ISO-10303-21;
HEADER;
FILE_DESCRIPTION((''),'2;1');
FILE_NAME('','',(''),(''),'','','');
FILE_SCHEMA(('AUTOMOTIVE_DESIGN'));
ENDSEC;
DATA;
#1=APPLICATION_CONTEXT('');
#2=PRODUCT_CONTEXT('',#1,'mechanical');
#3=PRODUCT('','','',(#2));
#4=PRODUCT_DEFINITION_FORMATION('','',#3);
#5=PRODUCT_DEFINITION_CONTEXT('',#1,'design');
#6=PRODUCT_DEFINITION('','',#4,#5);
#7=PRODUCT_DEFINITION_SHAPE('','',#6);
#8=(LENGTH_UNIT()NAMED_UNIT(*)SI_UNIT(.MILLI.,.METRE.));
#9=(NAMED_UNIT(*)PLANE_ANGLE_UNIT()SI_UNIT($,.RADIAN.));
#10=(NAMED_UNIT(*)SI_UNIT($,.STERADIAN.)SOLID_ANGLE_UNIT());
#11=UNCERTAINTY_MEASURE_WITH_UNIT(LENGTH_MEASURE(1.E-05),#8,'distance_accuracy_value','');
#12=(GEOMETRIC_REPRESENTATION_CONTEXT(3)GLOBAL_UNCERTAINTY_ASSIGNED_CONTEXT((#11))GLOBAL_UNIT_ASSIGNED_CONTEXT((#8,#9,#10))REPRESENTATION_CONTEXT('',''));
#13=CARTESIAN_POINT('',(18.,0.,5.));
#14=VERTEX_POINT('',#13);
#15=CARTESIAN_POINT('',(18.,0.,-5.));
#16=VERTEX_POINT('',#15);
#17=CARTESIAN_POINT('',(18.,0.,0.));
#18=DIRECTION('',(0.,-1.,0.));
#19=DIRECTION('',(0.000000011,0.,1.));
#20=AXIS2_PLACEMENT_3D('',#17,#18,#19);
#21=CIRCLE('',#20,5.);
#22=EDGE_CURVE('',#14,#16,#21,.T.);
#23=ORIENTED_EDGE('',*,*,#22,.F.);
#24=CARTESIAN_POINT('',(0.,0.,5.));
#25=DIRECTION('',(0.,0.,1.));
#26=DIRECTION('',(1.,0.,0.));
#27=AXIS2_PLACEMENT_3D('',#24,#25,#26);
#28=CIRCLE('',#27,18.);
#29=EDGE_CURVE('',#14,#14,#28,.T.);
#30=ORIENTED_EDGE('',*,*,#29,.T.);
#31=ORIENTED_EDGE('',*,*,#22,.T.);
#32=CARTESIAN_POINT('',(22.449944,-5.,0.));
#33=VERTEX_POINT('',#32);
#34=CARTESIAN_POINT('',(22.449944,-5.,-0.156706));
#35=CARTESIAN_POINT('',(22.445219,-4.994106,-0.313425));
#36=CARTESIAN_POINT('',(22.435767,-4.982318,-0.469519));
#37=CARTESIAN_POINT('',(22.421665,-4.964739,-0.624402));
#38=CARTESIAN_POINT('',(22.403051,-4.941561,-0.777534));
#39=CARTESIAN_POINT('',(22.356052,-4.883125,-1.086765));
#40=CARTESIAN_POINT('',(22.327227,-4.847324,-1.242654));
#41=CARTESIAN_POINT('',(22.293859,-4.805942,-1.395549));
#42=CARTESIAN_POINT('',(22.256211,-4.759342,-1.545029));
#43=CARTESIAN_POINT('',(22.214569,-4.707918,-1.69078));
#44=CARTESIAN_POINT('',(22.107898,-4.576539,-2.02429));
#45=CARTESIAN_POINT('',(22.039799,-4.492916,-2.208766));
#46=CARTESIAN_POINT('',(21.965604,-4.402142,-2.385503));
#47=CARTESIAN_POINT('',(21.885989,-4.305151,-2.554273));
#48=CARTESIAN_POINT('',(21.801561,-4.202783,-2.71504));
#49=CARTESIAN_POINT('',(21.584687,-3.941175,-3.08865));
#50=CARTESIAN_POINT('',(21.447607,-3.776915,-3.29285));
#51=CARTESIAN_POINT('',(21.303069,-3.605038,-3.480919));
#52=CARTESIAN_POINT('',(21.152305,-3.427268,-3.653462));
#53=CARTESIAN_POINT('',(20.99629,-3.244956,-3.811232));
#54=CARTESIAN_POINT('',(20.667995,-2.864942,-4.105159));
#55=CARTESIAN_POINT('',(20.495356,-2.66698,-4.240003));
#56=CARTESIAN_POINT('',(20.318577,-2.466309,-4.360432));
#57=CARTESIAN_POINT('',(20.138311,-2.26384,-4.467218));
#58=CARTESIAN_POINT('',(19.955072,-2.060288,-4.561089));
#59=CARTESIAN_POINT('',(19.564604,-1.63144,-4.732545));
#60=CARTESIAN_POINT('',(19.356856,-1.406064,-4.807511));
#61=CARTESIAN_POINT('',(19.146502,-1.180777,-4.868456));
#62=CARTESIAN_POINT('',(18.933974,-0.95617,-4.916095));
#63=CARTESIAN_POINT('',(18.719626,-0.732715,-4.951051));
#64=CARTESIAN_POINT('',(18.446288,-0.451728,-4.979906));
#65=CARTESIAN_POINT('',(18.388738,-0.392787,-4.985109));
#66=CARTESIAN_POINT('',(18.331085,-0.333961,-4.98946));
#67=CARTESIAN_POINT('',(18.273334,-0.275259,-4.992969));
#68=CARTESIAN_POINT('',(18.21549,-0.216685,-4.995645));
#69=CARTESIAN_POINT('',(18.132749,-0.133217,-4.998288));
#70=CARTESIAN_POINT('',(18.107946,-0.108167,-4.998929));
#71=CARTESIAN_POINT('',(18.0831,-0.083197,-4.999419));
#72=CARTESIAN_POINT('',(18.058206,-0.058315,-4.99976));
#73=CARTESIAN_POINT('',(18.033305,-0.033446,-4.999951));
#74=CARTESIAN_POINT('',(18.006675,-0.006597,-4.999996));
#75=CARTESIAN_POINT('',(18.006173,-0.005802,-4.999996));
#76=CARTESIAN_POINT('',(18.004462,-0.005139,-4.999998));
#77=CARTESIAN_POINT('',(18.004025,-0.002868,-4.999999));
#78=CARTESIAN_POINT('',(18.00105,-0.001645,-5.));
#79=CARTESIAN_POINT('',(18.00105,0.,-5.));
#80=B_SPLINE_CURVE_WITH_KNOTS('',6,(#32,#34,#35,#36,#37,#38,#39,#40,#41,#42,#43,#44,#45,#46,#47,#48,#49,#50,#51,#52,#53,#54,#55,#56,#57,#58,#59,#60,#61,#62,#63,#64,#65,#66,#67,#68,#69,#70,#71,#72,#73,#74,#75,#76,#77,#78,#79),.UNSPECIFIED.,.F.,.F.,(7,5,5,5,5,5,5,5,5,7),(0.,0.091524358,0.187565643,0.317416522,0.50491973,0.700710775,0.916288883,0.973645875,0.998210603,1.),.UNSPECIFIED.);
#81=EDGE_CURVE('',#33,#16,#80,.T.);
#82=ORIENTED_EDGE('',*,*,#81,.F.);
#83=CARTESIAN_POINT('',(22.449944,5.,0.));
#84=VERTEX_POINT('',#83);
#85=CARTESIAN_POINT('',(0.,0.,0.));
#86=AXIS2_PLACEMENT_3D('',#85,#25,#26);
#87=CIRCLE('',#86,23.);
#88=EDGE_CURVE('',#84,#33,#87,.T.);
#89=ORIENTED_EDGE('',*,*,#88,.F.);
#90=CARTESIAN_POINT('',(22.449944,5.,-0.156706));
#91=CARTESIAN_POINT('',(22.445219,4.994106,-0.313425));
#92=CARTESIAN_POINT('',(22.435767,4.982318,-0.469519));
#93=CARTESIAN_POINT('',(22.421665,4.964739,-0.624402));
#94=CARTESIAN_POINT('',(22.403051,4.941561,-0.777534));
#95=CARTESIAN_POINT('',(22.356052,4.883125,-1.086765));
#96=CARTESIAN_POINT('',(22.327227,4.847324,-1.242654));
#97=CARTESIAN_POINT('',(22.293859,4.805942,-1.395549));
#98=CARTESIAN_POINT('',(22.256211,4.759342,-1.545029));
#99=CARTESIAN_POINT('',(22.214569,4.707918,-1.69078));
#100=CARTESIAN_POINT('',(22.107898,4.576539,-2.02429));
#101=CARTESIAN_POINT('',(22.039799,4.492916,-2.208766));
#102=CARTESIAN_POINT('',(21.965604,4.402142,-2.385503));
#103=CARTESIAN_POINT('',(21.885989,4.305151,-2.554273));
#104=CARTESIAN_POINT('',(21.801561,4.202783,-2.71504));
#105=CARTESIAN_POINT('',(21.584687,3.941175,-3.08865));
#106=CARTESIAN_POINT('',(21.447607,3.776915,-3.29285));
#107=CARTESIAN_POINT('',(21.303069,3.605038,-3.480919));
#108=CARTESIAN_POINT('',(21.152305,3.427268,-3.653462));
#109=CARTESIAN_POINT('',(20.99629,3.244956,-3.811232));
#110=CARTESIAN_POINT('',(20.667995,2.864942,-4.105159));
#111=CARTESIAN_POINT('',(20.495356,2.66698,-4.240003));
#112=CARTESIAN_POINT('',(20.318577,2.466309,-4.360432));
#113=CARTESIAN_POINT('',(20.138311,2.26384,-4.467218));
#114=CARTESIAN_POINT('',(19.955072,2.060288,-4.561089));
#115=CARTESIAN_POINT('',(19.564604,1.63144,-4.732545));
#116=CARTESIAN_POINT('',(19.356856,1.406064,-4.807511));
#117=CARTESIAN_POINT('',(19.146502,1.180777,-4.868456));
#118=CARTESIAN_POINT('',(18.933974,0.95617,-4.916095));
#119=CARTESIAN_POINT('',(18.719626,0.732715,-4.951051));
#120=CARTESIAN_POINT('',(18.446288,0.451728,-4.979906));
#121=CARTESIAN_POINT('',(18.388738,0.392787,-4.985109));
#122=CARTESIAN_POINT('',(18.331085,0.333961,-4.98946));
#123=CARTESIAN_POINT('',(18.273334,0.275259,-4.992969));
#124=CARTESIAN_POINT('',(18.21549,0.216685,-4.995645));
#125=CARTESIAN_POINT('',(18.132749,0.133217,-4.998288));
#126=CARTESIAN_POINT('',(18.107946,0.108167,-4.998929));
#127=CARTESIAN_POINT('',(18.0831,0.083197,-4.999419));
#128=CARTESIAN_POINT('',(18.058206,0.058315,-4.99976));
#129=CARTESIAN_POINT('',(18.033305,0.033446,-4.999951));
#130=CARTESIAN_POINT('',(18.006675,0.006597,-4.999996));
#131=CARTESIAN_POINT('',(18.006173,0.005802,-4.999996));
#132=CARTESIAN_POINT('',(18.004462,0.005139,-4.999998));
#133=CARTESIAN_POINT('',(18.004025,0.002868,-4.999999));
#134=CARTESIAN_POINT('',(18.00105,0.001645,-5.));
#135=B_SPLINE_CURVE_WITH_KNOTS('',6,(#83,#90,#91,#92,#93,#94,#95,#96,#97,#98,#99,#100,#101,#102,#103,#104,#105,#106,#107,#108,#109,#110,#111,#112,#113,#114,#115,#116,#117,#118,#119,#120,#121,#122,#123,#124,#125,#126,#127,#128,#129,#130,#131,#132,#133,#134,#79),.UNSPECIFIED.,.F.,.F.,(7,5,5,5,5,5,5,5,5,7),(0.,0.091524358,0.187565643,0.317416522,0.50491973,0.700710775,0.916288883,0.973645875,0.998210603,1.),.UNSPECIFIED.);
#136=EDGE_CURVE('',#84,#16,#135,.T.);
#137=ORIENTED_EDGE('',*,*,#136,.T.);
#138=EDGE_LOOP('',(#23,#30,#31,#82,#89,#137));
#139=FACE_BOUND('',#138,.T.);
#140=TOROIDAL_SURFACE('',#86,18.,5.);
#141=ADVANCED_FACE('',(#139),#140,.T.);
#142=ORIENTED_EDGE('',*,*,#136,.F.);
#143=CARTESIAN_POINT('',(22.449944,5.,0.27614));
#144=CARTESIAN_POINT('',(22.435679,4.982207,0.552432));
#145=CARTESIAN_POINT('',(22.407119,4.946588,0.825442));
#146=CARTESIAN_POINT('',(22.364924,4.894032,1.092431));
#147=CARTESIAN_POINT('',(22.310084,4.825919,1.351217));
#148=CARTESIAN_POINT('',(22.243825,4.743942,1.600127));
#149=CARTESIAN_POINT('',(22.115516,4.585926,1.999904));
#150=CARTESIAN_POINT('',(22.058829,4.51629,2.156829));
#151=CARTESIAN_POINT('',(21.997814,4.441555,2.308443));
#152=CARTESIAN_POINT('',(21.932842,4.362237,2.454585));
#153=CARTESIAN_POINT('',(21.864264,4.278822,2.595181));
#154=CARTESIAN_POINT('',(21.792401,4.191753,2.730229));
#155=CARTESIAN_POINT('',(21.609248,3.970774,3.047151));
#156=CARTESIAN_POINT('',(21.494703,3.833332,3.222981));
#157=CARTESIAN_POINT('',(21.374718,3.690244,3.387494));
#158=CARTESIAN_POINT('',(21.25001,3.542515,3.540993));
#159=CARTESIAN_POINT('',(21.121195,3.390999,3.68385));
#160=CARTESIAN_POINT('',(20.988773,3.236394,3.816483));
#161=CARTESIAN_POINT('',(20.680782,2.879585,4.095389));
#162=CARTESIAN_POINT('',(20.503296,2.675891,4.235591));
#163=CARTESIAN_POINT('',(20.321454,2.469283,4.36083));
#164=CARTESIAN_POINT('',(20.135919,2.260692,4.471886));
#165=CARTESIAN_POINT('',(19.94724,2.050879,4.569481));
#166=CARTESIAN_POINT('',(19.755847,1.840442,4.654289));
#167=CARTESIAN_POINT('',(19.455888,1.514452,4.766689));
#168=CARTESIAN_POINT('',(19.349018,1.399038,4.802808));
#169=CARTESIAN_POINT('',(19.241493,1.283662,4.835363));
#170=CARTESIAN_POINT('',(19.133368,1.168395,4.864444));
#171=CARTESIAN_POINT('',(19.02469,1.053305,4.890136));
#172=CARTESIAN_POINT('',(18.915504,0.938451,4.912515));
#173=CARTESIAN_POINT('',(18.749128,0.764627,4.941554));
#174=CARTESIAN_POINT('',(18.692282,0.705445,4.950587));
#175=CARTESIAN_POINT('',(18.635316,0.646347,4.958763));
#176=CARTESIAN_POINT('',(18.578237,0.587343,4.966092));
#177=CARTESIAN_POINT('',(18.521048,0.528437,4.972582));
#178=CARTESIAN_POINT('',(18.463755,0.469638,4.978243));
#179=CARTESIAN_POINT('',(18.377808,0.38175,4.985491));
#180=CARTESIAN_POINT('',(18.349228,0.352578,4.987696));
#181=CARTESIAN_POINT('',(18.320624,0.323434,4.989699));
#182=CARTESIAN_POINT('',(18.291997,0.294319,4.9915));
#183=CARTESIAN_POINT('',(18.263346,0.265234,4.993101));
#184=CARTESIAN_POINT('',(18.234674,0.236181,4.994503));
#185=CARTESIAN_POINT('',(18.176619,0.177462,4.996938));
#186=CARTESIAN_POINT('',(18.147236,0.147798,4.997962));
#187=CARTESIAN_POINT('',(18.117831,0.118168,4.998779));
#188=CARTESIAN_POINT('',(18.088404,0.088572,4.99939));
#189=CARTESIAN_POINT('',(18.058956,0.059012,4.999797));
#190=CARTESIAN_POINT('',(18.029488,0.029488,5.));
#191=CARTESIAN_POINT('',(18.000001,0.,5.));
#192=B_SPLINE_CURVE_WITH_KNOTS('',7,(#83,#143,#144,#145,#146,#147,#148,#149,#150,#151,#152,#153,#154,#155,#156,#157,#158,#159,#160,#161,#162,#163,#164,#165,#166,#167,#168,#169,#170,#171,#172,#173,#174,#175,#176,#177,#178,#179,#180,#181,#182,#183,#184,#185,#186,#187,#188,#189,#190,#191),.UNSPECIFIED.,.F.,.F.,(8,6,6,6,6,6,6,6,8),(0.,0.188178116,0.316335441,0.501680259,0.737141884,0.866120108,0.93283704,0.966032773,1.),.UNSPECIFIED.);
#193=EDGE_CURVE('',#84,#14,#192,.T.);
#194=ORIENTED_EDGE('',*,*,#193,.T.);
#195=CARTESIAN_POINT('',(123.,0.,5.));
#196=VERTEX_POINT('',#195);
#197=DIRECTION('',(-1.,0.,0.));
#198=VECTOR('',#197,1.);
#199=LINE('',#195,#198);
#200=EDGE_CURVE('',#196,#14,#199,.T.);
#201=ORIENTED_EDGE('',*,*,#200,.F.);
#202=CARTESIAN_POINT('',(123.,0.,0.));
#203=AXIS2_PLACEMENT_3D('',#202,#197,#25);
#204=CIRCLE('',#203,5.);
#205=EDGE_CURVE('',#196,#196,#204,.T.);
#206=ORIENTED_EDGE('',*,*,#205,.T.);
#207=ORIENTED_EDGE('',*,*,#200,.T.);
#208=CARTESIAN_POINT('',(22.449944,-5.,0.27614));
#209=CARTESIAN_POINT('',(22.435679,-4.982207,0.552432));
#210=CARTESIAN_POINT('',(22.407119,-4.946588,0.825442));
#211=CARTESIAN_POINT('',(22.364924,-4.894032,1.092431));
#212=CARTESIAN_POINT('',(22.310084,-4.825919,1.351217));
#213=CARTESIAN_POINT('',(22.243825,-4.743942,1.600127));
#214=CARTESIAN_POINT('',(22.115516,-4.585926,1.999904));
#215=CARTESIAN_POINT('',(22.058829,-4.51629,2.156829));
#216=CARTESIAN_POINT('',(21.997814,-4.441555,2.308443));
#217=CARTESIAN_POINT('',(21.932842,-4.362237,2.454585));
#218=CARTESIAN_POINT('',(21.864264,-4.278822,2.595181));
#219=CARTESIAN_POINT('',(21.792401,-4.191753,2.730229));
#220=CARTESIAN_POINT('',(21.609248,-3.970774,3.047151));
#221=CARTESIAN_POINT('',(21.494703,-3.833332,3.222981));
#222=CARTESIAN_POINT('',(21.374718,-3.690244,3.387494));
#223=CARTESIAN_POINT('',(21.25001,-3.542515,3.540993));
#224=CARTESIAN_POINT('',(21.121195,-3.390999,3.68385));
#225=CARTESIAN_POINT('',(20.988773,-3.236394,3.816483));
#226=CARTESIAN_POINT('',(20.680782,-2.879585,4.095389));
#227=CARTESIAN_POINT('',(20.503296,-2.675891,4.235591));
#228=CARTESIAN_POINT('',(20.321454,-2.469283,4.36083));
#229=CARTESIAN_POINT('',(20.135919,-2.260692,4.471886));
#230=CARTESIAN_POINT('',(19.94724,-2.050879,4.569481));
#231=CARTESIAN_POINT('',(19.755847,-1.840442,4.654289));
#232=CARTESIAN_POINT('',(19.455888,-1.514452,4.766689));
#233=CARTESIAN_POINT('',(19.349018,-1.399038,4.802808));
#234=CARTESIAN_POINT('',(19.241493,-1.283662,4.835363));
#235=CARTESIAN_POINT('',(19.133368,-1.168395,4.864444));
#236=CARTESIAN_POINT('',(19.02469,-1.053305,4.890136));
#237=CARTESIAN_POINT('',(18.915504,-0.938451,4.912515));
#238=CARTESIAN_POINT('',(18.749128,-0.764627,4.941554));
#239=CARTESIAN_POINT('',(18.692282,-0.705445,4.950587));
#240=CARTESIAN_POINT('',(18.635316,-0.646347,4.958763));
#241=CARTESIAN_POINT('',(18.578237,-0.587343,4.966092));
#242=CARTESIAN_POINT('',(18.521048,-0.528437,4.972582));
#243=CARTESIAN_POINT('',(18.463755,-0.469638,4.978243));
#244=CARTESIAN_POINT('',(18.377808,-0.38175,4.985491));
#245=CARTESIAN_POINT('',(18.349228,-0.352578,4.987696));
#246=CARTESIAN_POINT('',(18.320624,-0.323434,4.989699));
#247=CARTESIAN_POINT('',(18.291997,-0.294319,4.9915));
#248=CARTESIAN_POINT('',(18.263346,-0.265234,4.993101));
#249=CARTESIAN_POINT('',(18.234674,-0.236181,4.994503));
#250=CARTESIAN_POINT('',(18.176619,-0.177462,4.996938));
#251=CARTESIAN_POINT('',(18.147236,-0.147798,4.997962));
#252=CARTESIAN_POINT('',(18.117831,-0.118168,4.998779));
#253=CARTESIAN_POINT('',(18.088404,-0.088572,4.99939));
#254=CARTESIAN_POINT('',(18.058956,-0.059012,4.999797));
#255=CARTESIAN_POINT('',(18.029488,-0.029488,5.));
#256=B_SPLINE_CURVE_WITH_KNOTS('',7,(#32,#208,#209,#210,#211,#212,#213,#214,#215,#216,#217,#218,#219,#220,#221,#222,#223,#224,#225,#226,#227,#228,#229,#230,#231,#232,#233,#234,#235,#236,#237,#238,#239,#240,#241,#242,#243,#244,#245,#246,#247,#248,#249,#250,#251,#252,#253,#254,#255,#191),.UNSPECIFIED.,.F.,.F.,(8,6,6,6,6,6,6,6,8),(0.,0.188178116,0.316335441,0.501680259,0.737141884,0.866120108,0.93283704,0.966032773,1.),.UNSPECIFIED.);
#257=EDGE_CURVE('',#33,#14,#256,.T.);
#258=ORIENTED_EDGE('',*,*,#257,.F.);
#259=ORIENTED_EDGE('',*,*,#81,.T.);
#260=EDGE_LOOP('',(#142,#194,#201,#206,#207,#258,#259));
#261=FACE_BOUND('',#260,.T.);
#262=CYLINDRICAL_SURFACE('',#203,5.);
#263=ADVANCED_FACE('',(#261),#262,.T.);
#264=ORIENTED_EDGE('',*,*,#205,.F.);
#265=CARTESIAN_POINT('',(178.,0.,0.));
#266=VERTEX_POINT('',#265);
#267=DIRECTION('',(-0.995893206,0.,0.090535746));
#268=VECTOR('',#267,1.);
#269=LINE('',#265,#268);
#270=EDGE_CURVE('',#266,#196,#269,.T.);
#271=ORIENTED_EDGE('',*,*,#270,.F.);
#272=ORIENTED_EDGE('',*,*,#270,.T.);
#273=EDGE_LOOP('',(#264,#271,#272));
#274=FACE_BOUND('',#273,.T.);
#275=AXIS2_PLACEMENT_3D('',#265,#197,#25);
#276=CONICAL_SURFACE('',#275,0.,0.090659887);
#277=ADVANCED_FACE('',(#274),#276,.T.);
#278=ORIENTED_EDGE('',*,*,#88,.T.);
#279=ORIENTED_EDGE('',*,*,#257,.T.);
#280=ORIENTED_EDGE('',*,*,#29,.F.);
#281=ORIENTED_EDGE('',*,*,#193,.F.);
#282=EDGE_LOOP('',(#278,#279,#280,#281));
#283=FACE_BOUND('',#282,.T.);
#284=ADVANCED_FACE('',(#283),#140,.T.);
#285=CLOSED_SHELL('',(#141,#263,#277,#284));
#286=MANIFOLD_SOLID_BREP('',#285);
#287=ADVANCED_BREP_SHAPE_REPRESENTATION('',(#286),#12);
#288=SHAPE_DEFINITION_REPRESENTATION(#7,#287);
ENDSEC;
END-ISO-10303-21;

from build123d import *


with BuildPart() as f1:
    # F0 (on Front) → F1 (revolve)
    with BuildSketch(Plane.XZ):
        with BuildLine():
            ThreePointArc((18, 5), (14.464466, -3.535534), (23, 0))
            Line((23, 0), (18, 0))
            Line((18, 0), (18, 5))
        make_face()
        with BuildLine():
            Line((18, 0), (23, 0))
            ThreePointArc((23, 0), (21.535534, 3.535534), (18, 5))
            Line((18, 5), (18, 0))
        make_face()
    revolve(axis=Axis((0, 0, 25.979159), (0, 0, 1)))

    # F0 (on Front) → F2 (revolve)
    with BuildSketch(Plane.XZ):
        with BuildLine():
            ThreePointArc((18, 5), (21.535534, 3.535534), (23, 0))
            Line((23, 0), (178, 0))
            Line((178, 0), (123, 5))
            Line((123, 5), (18, 5))
        make_face()
        with BuildLine():
            Line((18, 0), (23, 0))
            ThreePointArc((23, 0), (21.535534, 3.535534), (18, 5))
            Line((18, 5), (18, 0))
        make_face()
    revolve(axis=Axis((98, 0, 0), (-1, 0, 0)))


solid = f1.part
